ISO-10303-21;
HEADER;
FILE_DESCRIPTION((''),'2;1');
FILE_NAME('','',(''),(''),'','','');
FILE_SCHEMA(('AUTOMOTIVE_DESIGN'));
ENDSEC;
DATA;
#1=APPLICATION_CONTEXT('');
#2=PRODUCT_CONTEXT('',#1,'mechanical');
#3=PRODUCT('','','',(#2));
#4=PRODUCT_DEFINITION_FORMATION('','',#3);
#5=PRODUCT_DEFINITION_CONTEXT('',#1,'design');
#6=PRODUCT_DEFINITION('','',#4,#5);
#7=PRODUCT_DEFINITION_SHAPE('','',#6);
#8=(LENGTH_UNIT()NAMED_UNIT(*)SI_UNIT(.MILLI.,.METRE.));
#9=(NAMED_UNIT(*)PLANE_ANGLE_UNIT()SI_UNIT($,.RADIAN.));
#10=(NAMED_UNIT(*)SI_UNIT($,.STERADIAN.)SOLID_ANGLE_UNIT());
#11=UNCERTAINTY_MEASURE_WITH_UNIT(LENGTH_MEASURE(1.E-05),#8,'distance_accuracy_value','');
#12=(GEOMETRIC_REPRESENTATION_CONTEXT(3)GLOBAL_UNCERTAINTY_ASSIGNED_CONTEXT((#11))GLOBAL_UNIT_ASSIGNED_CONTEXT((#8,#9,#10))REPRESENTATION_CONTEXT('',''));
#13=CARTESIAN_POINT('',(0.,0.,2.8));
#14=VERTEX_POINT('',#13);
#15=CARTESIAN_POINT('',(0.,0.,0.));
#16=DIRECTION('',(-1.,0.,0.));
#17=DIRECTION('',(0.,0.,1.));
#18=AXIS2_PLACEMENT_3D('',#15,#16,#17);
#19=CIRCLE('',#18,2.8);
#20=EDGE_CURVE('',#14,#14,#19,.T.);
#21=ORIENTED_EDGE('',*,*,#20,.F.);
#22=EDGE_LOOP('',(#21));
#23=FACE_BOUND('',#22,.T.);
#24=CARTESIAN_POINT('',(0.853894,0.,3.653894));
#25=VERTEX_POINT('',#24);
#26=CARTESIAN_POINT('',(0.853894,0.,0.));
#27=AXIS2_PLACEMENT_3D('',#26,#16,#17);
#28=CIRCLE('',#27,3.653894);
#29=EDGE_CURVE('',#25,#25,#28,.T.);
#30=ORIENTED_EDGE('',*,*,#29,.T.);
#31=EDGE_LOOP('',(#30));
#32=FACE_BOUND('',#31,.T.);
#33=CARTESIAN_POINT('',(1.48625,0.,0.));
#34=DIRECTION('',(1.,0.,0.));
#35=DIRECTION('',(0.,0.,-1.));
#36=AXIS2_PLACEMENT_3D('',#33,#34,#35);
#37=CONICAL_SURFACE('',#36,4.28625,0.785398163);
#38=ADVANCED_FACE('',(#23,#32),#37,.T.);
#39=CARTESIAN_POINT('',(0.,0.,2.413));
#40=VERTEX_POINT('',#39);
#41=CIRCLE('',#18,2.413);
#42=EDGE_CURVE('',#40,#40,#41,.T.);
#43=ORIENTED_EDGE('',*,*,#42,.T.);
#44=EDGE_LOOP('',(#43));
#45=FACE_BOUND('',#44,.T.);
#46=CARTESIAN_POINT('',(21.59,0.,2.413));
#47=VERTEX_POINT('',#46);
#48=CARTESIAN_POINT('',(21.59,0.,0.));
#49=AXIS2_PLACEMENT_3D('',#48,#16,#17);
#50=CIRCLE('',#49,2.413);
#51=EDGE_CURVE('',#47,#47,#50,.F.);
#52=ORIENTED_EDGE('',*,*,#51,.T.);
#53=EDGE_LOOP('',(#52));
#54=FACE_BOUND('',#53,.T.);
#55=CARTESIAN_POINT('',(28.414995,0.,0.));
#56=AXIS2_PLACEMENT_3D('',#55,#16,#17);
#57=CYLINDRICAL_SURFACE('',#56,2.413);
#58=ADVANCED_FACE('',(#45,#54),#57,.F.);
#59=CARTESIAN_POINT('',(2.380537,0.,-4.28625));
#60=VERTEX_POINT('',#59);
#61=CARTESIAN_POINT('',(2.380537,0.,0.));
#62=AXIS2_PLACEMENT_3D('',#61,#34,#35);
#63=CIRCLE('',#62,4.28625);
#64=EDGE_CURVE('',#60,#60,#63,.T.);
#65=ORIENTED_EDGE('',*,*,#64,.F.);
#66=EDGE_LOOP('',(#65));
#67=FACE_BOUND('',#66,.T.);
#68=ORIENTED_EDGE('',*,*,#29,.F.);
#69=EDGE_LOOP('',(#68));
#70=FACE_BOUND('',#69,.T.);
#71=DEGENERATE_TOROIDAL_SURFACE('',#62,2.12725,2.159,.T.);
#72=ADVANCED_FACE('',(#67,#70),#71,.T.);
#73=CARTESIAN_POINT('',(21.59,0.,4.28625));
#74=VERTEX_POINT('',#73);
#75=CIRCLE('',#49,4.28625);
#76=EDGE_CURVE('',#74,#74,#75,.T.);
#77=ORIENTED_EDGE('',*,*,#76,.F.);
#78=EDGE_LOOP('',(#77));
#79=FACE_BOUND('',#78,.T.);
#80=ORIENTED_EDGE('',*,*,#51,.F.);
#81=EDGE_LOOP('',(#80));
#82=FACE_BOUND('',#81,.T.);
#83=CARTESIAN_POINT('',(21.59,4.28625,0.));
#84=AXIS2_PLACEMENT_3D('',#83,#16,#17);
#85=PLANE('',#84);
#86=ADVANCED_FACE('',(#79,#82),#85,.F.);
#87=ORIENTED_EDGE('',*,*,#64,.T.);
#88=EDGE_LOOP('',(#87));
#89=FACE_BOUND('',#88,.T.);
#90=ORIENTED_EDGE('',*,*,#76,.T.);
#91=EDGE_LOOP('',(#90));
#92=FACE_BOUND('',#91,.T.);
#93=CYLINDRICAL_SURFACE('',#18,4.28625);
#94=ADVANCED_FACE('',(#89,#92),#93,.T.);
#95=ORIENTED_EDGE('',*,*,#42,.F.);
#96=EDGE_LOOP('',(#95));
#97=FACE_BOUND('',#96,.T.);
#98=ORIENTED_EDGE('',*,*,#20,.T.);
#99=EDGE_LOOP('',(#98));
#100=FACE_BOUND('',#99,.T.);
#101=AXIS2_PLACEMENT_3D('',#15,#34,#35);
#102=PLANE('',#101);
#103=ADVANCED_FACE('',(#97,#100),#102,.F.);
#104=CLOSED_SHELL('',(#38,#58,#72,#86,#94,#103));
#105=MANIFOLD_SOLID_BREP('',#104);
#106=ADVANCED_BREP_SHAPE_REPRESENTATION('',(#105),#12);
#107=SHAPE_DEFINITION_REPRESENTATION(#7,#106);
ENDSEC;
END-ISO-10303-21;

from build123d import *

# Parameters (mm, degrees)
FILLET1_R          = 2.159
SKETCH3_R          = 2.413
CUT_EXTRUDE1_DEPTH = 21.59


with BuildPart() as part:
    # Sketch1 → Revolve1 (revolve)
    with BuildSketch(Plane.XY, mode=Mode.PRIVATE) as revolve1_sk:
        Polygon((0, 0), (0, 2.8), (1.48625, 4.28625), (21.59, 4.28625), (21.59, 0), align=None)
    revolve(revolve1_sk.sketch.rotate(Axis((0, 0, 0), (1, 0, 0)), 90), axis=Axis((0, 0, 0), (1, 0, 0)))

    # Fillet1
    fillet1_edges = [part.edges().sort_by_distance(p)[0] for p in [
        (1.48625, 0, -4.28625),
    ]]
    fillet(fillet1_edges, radius=FILLET1_R)

    # Sketch3 → Cut-Extrude1 (cut)
    with BuildSketch(Plane.ZY):
        Circle(SKETCH3_R)
    extrude(amount=-CUT_EXTRUDE1_DEPTH, mode=Mode.SUBTRACT)


solid = part.part
